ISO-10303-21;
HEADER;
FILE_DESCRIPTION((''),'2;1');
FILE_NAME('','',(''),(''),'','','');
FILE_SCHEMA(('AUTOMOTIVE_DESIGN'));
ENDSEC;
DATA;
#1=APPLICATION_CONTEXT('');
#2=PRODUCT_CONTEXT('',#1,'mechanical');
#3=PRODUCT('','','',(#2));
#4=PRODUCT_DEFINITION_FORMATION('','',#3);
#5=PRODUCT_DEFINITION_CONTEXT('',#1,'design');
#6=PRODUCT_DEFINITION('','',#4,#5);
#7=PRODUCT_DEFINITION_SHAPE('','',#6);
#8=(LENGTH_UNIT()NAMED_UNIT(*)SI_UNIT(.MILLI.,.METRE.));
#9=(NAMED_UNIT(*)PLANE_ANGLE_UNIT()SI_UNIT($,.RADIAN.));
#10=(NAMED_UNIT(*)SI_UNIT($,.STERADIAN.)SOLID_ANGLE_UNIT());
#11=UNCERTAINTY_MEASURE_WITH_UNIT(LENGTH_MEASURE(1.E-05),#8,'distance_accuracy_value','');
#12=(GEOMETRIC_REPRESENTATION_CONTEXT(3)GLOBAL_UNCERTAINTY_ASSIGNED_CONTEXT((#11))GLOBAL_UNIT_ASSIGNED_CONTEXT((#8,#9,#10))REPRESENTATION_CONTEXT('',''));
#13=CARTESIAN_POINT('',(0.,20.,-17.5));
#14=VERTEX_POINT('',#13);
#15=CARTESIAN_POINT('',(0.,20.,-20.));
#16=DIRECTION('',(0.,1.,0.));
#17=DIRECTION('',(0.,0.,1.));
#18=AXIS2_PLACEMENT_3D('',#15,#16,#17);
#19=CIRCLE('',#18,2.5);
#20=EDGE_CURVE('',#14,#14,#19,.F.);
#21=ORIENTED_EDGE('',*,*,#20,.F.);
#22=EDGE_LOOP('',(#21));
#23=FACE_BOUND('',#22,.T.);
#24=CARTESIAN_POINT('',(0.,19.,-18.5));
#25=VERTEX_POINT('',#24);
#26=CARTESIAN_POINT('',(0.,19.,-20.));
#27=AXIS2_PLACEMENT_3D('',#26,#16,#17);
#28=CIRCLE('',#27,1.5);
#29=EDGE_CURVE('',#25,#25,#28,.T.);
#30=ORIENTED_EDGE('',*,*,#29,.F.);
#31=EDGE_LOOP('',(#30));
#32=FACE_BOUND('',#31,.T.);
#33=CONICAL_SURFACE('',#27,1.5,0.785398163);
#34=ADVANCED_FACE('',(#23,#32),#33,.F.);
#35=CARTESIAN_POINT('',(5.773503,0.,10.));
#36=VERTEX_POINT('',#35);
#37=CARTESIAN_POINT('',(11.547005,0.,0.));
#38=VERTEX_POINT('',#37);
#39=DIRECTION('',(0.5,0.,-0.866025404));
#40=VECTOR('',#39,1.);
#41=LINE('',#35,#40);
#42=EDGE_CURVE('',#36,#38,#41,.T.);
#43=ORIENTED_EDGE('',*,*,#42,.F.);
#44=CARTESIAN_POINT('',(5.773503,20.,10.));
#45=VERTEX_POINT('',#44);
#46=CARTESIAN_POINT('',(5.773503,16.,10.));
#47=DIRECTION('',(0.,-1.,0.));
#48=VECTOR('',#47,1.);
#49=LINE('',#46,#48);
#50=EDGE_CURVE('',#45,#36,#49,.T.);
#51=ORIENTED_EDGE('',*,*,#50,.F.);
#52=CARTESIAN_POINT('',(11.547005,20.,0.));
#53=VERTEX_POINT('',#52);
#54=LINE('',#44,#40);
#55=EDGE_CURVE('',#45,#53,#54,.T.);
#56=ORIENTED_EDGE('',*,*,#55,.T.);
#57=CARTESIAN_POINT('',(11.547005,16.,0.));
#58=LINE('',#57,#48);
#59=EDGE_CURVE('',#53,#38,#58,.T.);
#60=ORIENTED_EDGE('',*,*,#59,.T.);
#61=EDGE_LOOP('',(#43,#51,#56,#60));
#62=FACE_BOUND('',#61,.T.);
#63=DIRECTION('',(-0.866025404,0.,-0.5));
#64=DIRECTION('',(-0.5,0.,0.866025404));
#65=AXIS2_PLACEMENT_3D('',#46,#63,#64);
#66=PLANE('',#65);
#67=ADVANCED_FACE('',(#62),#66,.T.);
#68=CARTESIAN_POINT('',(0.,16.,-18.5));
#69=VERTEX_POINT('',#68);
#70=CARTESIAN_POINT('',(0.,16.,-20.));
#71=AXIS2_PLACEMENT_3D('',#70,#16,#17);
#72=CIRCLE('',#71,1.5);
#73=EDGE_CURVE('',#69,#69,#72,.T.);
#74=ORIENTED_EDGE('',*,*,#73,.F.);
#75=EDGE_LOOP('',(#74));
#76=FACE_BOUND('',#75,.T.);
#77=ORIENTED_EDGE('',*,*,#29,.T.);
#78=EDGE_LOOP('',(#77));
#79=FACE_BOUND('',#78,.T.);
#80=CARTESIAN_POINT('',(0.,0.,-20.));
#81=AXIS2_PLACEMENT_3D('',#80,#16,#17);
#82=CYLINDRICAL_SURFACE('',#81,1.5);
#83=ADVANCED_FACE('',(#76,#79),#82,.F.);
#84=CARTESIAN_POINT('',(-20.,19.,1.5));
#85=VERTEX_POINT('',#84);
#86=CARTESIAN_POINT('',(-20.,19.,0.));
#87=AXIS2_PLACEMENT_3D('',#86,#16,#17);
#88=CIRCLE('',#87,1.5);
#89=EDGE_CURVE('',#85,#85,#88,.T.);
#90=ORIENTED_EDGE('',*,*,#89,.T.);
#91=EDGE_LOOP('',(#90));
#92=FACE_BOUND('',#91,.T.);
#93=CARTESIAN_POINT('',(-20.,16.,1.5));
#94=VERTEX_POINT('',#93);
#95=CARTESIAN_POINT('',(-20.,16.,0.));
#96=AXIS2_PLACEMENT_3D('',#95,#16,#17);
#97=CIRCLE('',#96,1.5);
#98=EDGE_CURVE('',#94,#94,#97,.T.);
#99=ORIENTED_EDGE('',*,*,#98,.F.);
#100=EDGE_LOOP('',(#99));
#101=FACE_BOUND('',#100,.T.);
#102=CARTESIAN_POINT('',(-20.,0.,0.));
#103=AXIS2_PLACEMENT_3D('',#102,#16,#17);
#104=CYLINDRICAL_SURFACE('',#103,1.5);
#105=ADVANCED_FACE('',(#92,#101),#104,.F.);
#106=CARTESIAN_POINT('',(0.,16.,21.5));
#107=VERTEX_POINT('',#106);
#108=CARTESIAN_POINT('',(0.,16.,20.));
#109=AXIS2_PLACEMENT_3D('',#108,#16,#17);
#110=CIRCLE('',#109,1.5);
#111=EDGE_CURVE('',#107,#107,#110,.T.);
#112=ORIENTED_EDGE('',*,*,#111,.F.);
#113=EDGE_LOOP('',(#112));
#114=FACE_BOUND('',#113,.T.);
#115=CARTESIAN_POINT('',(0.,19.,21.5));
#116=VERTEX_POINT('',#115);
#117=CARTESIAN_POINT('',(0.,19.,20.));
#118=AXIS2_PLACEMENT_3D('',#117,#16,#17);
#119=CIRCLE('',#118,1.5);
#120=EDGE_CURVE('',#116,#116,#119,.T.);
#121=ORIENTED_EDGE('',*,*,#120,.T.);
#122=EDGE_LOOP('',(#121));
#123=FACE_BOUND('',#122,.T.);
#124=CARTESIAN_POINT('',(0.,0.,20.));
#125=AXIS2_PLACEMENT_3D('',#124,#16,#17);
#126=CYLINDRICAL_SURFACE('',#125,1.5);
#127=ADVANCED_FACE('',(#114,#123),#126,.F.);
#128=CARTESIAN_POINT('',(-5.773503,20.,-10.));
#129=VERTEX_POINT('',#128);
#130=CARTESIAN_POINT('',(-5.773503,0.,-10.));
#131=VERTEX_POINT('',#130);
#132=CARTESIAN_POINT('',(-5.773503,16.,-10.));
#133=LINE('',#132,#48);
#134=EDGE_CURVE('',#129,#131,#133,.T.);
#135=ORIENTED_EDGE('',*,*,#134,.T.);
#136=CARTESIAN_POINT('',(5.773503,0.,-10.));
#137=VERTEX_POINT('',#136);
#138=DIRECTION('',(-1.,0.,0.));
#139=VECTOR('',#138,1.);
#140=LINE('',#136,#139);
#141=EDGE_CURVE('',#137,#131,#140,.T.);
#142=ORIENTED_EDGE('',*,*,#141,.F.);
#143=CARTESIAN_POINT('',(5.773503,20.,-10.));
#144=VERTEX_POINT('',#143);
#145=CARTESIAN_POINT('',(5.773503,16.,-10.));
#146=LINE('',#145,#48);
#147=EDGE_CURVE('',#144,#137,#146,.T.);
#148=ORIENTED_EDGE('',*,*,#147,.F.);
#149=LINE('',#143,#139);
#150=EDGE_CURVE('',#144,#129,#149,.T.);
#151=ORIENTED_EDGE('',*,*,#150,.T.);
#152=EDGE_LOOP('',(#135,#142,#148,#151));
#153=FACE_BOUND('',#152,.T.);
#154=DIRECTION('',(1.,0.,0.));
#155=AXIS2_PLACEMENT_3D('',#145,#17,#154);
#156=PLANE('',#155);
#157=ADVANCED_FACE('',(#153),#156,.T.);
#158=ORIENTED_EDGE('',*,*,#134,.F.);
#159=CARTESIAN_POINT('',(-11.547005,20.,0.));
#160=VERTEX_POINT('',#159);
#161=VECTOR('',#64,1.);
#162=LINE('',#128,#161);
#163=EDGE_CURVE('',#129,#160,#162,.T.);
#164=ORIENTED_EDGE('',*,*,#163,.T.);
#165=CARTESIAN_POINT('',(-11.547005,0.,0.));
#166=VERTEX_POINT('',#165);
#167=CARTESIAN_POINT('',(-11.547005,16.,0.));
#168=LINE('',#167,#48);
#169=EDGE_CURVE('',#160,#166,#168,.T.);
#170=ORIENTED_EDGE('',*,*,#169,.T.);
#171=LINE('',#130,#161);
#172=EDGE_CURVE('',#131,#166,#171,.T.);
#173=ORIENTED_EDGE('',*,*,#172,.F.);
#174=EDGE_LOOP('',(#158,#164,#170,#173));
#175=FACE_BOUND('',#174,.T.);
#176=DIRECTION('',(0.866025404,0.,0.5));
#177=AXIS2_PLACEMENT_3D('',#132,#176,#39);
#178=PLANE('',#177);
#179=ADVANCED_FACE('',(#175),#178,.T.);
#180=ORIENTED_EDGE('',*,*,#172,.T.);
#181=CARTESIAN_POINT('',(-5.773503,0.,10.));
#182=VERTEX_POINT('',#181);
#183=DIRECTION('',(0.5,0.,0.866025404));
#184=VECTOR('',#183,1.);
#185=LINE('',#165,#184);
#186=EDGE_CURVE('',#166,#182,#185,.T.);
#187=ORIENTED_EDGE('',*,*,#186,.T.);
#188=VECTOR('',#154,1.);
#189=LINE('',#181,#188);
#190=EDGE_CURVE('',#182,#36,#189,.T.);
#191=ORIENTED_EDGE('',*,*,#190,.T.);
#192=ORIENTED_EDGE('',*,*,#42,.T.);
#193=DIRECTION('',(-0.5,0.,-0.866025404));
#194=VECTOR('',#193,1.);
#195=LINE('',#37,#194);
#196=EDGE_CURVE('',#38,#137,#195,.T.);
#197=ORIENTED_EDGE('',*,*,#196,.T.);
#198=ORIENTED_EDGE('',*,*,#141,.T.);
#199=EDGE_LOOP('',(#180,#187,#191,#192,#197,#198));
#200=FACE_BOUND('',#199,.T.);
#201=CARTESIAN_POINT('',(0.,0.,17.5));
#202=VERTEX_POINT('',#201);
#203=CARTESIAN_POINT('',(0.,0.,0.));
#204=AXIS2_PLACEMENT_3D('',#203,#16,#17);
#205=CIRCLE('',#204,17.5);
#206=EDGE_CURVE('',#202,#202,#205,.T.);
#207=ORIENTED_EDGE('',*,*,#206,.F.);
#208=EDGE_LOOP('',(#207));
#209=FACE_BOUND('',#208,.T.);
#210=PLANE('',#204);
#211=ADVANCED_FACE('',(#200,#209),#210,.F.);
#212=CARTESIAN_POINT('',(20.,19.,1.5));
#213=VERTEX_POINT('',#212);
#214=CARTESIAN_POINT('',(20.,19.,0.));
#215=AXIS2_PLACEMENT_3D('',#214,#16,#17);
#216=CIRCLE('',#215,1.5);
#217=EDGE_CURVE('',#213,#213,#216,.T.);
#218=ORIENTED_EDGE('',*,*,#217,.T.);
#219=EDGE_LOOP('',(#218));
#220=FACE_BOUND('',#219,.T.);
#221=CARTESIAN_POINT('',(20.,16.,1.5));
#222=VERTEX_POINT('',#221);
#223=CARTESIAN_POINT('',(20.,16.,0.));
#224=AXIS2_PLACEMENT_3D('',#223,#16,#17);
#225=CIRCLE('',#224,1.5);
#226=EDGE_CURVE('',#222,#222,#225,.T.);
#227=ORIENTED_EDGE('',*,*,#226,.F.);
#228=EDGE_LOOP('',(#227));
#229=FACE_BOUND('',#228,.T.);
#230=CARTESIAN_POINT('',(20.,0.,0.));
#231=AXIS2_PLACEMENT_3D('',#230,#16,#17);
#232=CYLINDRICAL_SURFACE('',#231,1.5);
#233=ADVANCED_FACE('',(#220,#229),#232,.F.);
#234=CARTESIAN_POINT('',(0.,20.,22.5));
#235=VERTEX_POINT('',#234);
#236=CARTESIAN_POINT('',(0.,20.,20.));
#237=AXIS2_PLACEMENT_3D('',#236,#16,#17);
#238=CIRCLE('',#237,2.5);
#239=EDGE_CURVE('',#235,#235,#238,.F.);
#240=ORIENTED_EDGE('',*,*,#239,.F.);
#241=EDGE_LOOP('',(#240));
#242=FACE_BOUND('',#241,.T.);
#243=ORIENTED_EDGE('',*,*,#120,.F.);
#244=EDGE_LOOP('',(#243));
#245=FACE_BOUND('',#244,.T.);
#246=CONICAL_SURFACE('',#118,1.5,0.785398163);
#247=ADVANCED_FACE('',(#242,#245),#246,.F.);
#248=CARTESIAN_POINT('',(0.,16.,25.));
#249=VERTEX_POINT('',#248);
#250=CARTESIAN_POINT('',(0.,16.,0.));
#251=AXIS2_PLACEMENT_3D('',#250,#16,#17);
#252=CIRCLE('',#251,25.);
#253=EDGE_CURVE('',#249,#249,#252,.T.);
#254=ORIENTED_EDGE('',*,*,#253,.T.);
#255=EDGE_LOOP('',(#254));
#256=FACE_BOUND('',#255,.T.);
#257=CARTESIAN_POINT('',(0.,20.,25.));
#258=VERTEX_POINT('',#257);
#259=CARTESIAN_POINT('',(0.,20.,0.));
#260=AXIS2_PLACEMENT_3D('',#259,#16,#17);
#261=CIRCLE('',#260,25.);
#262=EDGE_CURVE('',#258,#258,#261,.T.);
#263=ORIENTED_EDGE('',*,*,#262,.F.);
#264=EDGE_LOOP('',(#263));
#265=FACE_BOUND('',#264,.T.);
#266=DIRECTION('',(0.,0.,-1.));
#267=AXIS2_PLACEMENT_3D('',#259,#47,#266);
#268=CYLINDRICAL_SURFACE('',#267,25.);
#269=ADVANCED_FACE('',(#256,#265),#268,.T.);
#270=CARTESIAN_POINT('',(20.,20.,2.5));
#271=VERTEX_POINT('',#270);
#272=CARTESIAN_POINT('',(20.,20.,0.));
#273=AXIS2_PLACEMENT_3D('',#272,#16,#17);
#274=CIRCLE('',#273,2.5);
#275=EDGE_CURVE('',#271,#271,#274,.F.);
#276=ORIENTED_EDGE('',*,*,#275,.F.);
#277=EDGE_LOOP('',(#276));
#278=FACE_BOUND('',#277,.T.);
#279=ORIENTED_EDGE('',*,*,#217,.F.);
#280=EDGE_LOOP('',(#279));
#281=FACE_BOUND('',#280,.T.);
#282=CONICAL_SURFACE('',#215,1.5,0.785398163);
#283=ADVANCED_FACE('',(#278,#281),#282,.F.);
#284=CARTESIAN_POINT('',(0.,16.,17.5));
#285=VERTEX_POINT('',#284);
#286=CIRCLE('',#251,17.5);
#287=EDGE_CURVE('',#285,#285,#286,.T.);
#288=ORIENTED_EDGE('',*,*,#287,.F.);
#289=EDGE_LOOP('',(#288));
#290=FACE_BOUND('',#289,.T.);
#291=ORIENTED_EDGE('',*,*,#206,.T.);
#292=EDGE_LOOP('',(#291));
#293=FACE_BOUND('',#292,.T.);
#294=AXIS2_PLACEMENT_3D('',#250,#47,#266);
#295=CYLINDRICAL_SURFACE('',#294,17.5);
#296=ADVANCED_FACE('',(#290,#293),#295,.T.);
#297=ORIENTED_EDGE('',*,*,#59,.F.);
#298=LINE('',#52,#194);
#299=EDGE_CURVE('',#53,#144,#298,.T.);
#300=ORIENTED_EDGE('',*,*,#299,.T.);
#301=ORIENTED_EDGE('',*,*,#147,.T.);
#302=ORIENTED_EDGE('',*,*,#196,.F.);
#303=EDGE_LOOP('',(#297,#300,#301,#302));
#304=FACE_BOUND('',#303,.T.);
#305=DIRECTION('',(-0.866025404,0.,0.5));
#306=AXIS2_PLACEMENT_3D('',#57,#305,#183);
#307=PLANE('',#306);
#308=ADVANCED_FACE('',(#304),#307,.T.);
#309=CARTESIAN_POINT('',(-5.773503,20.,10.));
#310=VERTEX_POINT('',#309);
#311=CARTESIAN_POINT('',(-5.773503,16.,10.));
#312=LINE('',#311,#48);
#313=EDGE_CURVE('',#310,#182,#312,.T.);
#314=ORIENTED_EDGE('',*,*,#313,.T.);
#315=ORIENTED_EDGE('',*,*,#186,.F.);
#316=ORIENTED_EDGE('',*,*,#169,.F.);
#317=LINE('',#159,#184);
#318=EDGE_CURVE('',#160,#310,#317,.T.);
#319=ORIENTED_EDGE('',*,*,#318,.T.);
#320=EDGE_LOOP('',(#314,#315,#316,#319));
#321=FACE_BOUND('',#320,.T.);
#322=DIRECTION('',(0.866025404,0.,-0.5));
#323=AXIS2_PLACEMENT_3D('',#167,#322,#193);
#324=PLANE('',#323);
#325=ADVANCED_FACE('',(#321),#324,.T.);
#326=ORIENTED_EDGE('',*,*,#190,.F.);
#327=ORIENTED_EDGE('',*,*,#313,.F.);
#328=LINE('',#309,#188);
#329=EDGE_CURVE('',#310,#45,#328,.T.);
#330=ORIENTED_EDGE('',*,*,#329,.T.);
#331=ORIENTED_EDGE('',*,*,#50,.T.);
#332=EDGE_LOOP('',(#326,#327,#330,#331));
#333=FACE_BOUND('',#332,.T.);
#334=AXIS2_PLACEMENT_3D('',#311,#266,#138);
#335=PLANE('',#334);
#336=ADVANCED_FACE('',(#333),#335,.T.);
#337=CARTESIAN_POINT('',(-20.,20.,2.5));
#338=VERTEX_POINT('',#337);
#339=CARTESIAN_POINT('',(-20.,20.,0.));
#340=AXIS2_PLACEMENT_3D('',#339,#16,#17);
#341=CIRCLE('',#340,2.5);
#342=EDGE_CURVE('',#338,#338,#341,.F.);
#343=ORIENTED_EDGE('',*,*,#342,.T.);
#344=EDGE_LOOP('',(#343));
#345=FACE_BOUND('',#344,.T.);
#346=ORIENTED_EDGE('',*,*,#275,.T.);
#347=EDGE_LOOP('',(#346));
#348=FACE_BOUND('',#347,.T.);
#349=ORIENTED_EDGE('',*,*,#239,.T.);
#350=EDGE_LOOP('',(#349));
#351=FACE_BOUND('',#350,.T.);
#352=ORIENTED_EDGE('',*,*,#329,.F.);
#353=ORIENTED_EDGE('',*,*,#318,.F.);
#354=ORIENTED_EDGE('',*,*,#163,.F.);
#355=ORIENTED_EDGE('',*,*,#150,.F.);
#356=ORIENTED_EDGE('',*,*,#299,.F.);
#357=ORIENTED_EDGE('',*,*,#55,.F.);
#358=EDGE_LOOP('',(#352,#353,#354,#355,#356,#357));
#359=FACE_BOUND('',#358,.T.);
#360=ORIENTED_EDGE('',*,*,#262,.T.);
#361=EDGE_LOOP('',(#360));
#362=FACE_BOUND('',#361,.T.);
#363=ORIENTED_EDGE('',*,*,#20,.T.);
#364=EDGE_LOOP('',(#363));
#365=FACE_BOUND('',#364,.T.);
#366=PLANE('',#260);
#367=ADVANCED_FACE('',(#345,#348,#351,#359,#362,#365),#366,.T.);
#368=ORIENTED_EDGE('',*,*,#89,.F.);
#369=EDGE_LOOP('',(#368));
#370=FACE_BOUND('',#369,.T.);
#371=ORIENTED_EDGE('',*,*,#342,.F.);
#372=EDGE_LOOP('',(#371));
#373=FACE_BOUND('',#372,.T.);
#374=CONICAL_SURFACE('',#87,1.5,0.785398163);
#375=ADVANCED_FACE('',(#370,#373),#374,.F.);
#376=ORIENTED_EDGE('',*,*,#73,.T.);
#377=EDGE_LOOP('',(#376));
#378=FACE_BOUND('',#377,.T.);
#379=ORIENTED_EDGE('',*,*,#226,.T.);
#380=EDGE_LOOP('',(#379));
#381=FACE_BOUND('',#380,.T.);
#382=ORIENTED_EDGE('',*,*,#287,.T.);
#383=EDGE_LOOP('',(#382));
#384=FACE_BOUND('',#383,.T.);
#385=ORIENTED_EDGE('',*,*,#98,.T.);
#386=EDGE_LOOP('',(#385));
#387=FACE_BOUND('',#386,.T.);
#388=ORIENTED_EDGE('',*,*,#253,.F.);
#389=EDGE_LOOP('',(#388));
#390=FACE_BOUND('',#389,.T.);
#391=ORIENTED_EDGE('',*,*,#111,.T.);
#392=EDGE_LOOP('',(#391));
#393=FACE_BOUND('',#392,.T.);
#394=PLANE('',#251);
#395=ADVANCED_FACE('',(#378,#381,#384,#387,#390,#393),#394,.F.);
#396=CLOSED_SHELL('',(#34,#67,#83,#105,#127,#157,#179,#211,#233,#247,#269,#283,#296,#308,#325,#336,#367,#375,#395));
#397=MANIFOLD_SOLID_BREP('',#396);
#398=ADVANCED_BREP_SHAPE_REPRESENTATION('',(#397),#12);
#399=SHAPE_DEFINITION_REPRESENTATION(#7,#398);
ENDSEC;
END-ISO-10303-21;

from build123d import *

# Parameters (mm, degrees)
SKETCH1_R           = 17.5
BOSS_EXTRUDE1_DEPTH = 16
SKETCH2_R           = 25
SKETCH2_R_2         = 12.5
BOSS_EXTRUDE2_DEPTH = 4
SKETCH3_R           = 1.5
CUT_EXTRUDE1_DEPTH  = 41.620192023
CHAMFER1_SIZE       = 1
SKETCH4_R           = 12.5
BOSS_EXTRUDE3_DEPTH = 4


with BuildPart() as part:
    # Sketch1 → Boss-Extrude1 (new body)
    with BuildSketch(Plane(origin=(0, 0, 0), x_dir=(1, 0, 0), z_dir=(0, 1, 0))):
        with Locations(Location((0, 0, 0), (0, 0, 270))):
            Circle(SKETCH1_R)
        Polygon((5.773502692, -10), (11.547005384, 0), (5.773502692, 10), (-5.773502692, 10), (-11.547005384, 0), (-5.773502692, -10), align=None, mode=Mode.SUBTRACT)
    extrude(amount=BOSS_EXTRUDE1_DEPTH)

    # Sketch2 → Boss-Extrude2 (add)
    with BuildSketch(Plane(origin=(0, 16, 0), x_dir=(1, 0, 0), z_dir=(0, 1, 0))):
        with Locations(Location((0, 0, 0), (0, 0, 270))):
            Circle(SKETCH2_R)
        with Locations(Location((0, 0, 0), (0, 0, 270))):
            Circle(SKETCH2_R_2, mode=Mode.SUBTRACT)
    extrude(amount=BOSS_EXTRUDE2_DEPTH)

    # Sketch3 → Cut-Extrude1 (cut, through all)
    with BuildSketch(Plane(origin=(0, 20, 0), x_dir=(1, 0, 0), z_dir=(0, 1, 0))):
        with Locations(Location((0, 20, 0), (0, 0, 270))):
            Circle(SKETCH3_R)
        with Locations(Location((20, 0, 0), (0, 0, 270))):
            Circle(SKETCH3_R)
        with Locations(Location((0, -20, 0), (0, 0, 270))):
            Circle(SKETCH3_R)
        with Locations(Location((-20, 0, 0), (0, 0, 270))):
            Circle(SKETCH3_R)
    extrude(amount=-CUT_EXTRUDE1_DEPTH, mode=Mode.SUBTRACT)

    # Chamfer1
    chamfer1_edges = [part.edges().sort_by_distance(p)[0] for p in [
        (0, 20, -21.5),
        (20, 20, -1.5),
        (0, 20, 18.5),
        (-20, 20, -1.5),
    ]]
    chamfer(chamfer1_edges, length=CHAMFER1_SIZE)

    # Sketch4 → Boss-Extrude3 (add)
    with BuildSketch(Plane(origin=(0, 16, 0), x_dir=(1, 0, 0), z_dir=(0, 1, 0))):
        Circle(SKETCH4_R)
        Polygon((-5.773502692, -10), (5.773502692, -10), (11.547005384, 0), (5.773502692, 10), (-5.773502692, 10), (-11.547005384, 0), align=None, mode=Mode.SUBTRACT)
    extrude(amount=BOSS_EXTRUDE3_DEPTH)


solid = part.part
